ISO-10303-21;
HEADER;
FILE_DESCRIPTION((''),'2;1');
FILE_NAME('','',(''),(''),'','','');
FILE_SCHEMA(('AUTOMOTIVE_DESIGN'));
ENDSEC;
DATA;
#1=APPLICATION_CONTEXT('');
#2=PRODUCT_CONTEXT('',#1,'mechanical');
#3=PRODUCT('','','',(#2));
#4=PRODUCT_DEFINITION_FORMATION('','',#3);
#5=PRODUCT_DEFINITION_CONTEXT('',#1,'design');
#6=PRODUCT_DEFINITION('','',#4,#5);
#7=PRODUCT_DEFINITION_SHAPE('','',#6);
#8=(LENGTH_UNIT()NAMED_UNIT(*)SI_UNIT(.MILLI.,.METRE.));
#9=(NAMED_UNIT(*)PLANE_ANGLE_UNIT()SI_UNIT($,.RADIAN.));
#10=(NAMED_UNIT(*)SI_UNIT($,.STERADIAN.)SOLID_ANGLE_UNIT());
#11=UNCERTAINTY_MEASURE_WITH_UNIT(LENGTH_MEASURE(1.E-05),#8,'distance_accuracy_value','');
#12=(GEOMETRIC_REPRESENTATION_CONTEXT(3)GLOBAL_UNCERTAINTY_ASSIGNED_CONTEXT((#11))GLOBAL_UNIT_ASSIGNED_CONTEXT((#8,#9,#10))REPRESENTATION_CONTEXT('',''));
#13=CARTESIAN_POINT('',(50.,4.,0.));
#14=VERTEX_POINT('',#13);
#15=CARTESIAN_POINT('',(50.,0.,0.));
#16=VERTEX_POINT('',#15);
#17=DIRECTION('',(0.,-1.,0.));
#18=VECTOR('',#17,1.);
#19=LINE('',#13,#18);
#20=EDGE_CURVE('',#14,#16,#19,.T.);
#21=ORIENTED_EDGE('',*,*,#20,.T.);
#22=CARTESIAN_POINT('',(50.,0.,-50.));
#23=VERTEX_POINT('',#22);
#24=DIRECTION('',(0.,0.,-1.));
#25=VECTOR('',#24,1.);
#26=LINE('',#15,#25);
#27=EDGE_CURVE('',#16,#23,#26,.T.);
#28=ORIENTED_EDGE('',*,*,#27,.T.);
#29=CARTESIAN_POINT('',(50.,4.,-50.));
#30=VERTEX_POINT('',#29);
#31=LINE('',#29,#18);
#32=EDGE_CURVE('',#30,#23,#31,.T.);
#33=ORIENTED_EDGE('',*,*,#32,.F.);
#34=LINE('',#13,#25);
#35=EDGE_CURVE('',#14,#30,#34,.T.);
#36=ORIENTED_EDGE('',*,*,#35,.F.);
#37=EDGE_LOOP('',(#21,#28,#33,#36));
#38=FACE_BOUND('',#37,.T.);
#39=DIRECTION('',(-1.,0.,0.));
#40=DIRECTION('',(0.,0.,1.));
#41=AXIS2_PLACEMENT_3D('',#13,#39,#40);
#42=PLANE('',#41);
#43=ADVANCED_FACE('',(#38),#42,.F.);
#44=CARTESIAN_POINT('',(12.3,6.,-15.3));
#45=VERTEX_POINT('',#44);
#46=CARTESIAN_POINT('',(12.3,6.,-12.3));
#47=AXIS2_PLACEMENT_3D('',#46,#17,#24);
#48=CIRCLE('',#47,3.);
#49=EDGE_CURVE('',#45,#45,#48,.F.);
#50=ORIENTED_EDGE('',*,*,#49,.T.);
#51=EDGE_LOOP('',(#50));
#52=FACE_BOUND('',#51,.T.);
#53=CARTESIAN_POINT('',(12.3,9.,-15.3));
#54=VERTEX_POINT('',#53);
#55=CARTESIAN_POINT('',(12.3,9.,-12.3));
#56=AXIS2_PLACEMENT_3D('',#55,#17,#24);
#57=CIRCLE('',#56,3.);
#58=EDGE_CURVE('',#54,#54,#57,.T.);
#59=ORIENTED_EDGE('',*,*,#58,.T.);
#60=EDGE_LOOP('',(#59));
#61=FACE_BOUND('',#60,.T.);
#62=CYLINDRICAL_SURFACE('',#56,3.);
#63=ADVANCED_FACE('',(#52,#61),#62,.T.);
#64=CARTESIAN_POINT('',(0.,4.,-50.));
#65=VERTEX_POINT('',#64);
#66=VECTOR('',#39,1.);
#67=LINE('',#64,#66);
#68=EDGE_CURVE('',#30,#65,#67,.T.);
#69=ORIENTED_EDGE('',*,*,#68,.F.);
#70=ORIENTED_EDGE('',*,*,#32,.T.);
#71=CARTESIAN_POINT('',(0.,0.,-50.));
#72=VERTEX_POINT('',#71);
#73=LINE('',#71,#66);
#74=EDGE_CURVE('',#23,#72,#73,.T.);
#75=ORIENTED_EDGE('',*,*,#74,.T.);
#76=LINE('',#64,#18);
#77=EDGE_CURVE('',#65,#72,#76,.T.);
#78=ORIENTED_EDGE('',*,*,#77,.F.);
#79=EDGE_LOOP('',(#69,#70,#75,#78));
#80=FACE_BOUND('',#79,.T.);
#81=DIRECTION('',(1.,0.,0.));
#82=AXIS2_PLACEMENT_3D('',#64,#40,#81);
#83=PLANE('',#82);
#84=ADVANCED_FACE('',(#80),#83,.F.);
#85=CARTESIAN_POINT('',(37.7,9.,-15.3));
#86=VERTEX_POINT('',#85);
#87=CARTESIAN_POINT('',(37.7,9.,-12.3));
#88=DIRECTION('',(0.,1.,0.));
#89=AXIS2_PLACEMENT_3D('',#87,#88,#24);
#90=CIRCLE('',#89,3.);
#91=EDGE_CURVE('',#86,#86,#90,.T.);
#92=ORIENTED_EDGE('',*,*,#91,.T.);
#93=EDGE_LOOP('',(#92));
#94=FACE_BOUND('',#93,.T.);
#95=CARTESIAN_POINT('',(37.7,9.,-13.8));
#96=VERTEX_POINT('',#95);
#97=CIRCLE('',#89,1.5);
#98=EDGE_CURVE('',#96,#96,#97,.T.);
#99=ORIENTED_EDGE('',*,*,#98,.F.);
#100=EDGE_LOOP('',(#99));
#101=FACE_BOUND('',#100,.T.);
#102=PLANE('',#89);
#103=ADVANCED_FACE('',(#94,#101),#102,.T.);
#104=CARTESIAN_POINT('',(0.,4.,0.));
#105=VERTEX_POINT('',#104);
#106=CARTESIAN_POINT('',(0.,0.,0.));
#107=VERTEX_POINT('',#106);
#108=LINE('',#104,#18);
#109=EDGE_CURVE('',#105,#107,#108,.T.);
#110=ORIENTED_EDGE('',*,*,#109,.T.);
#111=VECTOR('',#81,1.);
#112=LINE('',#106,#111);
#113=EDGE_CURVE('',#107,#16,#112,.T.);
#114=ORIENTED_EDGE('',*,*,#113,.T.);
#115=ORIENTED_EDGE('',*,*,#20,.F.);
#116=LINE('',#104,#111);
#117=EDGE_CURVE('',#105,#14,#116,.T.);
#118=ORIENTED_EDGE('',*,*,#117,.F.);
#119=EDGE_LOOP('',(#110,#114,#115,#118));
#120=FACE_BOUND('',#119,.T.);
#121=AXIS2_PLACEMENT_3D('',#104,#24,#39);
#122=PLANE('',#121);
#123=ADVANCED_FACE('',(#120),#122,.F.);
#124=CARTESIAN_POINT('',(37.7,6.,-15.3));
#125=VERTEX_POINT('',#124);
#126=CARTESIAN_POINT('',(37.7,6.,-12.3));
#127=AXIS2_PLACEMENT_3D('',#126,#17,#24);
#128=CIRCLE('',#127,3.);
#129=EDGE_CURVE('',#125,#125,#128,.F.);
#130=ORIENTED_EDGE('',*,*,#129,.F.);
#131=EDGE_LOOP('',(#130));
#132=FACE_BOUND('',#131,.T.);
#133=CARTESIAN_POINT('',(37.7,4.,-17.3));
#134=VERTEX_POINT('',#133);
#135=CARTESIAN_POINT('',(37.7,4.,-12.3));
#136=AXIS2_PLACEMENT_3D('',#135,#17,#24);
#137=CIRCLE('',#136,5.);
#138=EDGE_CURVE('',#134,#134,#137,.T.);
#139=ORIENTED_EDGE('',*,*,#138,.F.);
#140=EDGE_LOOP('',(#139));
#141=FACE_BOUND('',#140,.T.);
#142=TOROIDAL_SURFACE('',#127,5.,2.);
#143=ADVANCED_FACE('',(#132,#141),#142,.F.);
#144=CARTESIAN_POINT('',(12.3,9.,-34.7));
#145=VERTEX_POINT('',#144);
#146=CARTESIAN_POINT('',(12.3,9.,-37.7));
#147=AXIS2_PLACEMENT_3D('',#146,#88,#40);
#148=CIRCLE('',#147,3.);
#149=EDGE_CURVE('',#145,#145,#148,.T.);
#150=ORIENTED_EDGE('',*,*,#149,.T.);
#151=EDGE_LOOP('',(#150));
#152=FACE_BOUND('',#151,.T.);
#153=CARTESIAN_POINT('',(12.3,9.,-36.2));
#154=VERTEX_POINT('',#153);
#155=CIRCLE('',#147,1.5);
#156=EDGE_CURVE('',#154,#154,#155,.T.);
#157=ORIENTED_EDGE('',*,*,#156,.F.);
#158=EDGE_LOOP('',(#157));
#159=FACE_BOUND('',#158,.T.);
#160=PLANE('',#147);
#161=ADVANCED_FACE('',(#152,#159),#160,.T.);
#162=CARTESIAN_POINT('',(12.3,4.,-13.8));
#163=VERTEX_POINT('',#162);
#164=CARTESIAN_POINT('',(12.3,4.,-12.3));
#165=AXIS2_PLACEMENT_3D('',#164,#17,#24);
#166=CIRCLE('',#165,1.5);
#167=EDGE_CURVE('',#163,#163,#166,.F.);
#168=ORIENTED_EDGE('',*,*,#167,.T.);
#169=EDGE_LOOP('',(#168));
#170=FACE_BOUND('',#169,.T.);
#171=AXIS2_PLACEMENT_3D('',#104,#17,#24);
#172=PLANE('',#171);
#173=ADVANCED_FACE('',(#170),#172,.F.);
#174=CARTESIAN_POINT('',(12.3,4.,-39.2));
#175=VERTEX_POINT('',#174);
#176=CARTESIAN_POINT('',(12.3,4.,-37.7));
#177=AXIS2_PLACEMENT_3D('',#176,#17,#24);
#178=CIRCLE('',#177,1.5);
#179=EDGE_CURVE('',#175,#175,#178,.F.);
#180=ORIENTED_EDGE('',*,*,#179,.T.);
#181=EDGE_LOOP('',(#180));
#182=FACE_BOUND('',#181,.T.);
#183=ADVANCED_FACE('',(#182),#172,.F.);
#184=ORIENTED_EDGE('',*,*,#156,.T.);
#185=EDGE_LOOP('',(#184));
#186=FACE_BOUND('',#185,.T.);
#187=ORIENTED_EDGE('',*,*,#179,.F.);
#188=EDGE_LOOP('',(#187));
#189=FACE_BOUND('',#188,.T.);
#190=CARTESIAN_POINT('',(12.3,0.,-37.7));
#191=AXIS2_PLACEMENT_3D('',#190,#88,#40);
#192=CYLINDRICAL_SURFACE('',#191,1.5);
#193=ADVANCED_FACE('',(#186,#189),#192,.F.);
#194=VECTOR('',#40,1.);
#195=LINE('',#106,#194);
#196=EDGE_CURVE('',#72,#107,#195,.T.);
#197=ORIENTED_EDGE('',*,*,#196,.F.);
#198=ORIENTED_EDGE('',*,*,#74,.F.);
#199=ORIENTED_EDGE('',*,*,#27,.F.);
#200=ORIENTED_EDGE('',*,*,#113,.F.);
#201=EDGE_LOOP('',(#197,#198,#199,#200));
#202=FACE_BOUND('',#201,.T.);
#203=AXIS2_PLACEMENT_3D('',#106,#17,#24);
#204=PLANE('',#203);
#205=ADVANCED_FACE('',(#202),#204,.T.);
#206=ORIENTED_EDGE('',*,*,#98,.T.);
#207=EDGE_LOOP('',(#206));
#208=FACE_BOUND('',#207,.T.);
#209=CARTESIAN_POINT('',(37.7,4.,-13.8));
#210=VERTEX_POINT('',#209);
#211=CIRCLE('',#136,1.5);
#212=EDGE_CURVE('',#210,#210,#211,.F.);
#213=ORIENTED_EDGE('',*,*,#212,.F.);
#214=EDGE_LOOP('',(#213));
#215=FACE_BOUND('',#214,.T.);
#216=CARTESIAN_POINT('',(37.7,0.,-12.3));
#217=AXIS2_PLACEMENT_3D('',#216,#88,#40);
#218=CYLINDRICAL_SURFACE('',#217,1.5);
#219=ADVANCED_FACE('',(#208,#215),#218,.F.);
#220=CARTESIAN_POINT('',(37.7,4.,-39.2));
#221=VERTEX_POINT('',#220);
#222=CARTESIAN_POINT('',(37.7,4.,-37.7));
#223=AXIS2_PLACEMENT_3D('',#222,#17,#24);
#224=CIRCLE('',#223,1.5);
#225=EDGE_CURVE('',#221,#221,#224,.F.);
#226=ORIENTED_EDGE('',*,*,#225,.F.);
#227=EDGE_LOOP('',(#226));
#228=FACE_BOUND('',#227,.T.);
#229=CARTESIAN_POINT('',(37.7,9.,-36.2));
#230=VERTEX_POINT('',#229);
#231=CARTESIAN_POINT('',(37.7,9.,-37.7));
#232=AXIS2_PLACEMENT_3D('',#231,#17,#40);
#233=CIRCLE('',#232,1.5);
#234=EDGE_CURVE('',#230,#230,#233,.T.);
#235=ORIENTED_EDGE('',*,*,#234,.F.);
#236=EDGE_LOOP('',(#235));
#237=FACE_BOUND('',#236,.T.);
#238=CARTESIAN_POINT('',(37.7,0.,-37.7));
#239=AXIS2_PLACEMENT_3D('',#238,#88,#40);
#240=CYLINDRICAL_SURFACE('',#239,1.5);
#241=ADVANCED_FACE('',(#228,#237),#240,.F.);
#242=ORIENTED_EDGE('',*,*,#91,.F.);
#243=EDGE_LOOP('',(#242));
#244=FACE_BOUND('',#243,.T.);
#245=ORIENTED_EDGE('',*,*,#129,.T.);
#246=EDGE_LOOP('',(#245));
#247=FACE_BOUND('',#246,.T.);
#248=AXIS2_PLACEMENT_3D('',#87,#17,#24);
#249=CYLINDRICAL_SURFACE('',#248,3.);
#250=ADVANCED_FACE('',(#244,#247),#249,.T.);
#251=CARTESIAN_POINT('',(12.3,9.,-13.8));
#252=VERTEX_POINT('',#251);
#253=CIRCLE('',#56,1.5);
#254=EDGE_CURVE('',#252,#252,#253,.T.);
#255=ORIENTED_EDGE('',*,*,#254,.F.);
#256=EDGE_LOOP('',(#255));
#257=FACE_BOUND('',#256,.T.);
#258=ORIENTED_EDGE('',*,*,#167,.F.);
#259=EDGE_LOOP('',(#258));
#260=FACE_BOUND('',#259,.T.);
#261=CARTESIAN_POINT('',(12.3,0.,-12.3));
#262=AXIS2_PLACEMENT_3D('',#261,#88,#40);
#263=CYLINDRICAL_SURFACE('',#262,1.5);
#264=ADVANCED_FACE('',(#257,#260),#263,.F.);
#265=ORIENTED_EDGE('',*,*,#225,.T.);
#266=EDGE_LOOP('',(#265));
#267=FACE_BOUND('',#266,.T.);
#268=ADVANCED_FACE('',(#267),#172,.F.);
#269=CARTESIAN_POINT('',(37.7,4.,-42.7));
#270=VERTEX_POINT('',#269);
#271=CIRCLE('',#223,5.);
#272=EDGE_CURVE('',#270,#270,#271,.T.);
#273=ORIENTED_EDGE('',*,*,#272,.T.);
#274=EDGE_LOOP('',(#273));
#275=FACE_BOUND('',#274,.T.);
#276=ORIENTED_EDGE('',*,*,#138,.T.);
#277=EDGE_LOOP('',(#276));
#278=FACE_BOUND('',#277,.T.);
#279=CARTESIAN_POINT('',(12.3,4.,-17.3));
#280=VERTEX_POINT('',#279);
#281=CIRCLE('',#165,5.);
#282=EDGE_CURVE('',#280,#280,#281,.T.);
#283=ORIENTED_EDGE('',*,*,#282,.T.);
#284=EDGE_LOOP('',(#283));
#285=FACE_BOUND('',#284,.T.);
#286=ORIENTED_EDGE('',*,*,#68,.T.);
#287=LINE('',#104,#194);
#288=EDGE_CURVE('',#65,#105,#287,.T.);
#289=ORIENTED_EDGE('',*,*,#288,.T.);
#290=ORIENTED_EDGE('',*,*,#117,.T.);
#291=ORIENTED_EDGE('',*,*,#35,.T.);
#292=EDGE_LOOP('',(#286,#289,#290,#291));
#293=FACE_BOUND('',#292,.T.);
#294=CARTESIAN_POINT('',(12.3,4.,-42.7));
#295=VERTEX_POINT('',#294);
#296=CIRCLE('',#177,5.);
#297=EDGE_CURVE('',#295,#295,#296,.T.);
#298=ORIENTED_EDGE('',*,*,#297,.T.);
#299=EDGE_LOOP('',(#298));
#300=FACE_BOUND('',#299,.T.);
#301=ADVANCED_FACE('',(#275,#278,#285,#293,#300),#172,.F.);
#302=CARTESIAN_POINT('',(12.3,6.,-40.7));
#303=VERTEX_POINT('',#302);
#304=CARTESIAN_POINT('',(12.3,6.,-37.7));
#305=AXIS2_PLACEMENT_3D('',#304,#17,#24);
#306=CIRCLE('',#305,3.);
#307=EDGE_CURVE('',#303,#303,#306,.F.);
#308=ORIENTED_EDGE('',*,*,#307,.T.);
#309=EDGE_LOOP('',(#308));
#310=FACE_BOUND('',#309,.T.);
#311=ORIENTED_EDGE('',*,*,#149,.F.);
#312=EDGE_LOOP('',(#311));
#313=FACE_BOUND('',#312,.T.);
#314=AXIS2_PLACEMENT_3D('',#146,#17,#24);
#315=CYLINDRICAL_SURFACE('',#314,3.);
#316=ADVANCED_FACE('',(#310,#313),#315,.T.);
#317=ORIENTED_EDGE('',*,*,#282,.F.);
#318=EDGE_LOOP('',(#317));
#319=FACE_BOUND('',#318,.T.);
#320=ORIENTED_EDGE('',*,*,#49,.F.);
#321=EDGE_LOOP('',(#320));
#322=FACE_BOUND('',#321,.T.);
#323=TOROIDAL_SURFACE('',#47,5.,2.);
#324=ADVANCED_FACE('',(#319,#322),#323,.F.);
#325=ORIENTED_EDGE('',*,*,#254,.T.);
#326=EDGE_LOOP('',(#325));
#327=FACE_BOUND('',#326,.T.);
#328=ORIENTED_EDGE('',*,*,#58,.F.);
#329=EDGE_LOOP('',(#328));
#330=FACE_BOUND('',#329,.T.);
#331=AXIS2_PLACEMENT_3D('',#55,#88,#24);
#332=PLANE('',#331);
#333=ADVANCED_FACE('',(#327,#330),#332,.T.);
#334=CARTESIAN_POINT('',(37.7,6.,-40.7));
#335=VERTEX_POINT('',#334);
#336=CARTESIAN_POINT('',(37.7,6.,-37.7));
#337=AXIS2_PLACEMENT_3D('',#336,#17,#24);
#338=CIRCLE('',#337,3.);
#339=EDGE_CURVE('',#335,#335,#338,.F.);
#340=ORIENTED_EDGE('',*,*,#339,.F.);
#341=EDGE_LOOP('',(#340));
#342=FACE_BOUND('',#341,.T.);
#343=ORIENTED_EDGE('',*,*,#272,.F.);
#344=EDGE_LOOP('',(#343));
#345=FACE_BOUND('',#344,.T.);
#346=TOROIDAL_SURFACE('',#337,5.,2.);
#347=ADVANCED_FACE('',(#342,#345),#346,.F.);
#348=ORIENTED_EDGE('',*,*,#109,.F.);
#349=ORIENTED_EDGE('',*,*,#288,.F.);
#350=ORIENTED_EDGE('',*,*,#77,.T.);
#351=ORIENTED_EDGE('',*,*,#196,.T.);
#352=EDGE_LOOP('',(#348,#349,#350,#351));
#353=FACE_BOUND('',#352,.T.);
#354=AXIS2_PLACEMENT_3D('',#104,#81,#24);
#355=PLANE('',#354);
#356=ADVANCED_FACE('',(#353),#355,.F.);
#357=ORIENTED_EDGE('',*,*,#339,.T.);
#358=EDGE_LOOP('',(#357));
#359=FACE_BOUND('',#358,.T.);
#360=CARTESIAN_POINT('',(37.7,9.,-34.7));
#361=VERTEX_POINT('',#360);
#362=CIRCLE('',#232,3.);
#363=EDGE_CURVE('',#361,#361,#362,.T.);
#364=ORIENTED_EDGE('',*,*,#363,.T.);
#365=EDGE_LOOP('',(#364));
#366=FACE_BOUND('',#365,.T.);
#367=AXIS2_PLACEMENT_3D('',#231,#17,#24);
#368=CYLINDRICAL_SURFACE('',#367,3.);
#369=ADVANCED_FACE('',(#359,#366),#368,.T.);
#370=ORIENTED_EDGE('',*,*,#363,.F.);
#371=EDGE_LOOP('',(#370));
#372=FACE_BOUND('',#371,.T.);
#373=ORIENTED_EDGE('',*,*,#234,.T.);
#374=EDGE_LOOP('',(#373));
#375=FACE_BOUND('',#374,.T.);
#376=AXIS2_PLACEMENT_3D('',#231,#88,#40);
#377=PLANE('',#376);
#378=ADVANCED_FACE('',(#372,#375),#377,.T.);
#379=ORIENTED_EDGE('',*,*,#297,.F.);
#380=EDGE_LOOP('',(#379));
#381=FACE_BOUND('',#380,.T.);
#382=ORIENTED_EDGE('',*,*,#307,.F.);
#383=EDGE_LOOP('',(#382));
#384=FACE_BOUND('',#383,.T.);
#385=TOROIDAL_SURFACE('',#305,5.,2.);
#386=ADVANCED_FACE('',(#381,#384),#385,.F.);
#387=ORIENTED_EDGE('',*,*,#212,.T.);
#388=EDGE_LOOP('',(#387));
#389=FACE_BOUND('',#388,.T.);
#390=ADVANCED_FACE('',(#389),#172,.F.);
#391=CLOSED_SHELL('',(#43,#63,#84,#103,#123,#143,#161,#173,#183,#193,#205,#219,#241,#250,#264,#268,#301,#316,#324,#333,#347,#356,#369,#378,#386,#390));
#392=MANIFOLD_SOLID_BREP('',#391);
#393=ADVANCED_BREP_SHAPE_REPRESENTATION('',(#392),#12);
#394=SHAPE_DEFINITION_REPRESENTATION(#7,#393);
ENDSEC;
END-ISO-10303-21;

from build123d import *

# Parameters (mm, degrees)
SKETCH2_W                 = 50
SKETCH2_H                 = 50
BOSS_EXTRUDE1_DEPTH       = 4
SKETCH3_R                 = 1.5
CUT_EXTRUDE1_DEPTH        = 4
BOSS_EXTRUDE2_START       = 5
SKETCH4_R                 = 3
SKETCH4_R_2               = 1.5
BOSS_EXTRUDE2_DEPTH       = 5
MIRROR2_START             = 5
MIRROR2_COPY_1_SKETCH_R   = 3
MIRROR2_COPY_1_SKETCH_R_2 = 1.5
MIRROR2_COPY_1_DEPTH      = 5
FILLET1_R                 = 2
SKETCH6_W                 = 50
SKETCH6_H                 = 50
BOSS_EXTRUDE3_DEPTH       = 4


with BuildPart() as part:
    # Sketch2 → Boss-Extrude1 (new body)
    with BuildSketch(Plane(origin=(0, 0, 0), x_dir=(1, 0, 0), z_dir=(0, 1, 0))):
        with Locations((25, 25)):
            Rectangle(SKETCH2_W, SKETCH2_H)
    extrude(amount=BOSS_EXTRUDE1_DEPTH)

    # Sketch3 → Cut-Extrude1 (cut)
    with BuildSketch(Plane(origin=(0, 4, 0), x_dir=(1, 0, 0), z_dir=(0, 1, 0))):
        with Locations(Location((12.3, 37.7, 0), (0, 0, 270))):
            Circle(SKETCH3_R)
        with Locations(Location((12.3, 12.3, 0), (0, 0, 270))):
            Circle(SKETCH3_R)
        with Locations(Location((37.7, 37.7, 0), (0, 0, 270))):
            Circle(SKETCH3_R)
        with Locations(Location((37.7, 12.3, 0), (0, 0, 270))):
            Circle(SKETCH3_R)
    extrude(amount=-CUT_EXTRUDE1_DEPTH, mode=Mode.SUBTRACT)

    # Sketch4 → Boss-Extrude2 (add)
    with BuildSketch(Plane(origin=(0, 4, 0), x_dir=(1, 0, 0), z_dir=(0, 1, 0)).offset(BOSS_EXTRUDE2_START)):
        with Locations(Location((12.3, 37.7, 0), (0, 0, 90))):
            Circle(SKETCH4_R)
        with Locations(Location((12.3, 37.7, 0), (0, 0, 270))):
            Circle(SKETCH4_R_2, mode=Mode.SUBTRACT)
    boss_extrude2 = extrude(amount=-BOSS_EXTRUDE2_DEPTH)

    # Mirror1: Boss-Extrude2 across plane
    add(boss_extrude2.mirror(Plane.XY.offset(-25)))

    # Mirror2: Boss-Extrude2 across plane
    add(boss_extrude2.mirror(Plane.ZY.offset(-25)))

    # Mirror2 copy 1 sketch → Mirror2 copy 1 (add)
    with BuildSketch(Plane(origin=(50, 4, -50), x_dir=(-1, 0, 0), z_dir=(0, 1, 0)).offset(MIRROR2_START)):
        with Locations(Location((12.3, 37.7, 0), (0, 0, 90))):
            Circle(MIRROR2_COPY_1_SKETCH_R)
        with Locations(Location((12.3, 37.7, 0), (0, 0, 270))):
            Circle(MIRROR2_COPY_1_SKETCH_R_2, mode=Mode.SUBTRACT)
    extrude(amount=-MIRROR2_COPY_1_DEPTH)

    # Fillet1
    fillet1_edges = [part.edges().sort_by_distance(p)[0] for p in [
        (12.3, 4, -34.7),
        (12.3, 4, -15.3),
        (37.7, 4, -15.3),
        (37.7, 4, -34.7),
    ]]
    fillet(fillet1_edges, radius=FILLET1_R)

    # Sketch6 → Boss-Extrude3 (add)
    with BuildSketch(Plane.XZ):
        with Locations((25, -25)):
            Rectangle(SKETCH6_W, SKETCH6_H)
    extrude(amount=-BOSS_EXTRUDE3_DEPTH)


solid = part.part
